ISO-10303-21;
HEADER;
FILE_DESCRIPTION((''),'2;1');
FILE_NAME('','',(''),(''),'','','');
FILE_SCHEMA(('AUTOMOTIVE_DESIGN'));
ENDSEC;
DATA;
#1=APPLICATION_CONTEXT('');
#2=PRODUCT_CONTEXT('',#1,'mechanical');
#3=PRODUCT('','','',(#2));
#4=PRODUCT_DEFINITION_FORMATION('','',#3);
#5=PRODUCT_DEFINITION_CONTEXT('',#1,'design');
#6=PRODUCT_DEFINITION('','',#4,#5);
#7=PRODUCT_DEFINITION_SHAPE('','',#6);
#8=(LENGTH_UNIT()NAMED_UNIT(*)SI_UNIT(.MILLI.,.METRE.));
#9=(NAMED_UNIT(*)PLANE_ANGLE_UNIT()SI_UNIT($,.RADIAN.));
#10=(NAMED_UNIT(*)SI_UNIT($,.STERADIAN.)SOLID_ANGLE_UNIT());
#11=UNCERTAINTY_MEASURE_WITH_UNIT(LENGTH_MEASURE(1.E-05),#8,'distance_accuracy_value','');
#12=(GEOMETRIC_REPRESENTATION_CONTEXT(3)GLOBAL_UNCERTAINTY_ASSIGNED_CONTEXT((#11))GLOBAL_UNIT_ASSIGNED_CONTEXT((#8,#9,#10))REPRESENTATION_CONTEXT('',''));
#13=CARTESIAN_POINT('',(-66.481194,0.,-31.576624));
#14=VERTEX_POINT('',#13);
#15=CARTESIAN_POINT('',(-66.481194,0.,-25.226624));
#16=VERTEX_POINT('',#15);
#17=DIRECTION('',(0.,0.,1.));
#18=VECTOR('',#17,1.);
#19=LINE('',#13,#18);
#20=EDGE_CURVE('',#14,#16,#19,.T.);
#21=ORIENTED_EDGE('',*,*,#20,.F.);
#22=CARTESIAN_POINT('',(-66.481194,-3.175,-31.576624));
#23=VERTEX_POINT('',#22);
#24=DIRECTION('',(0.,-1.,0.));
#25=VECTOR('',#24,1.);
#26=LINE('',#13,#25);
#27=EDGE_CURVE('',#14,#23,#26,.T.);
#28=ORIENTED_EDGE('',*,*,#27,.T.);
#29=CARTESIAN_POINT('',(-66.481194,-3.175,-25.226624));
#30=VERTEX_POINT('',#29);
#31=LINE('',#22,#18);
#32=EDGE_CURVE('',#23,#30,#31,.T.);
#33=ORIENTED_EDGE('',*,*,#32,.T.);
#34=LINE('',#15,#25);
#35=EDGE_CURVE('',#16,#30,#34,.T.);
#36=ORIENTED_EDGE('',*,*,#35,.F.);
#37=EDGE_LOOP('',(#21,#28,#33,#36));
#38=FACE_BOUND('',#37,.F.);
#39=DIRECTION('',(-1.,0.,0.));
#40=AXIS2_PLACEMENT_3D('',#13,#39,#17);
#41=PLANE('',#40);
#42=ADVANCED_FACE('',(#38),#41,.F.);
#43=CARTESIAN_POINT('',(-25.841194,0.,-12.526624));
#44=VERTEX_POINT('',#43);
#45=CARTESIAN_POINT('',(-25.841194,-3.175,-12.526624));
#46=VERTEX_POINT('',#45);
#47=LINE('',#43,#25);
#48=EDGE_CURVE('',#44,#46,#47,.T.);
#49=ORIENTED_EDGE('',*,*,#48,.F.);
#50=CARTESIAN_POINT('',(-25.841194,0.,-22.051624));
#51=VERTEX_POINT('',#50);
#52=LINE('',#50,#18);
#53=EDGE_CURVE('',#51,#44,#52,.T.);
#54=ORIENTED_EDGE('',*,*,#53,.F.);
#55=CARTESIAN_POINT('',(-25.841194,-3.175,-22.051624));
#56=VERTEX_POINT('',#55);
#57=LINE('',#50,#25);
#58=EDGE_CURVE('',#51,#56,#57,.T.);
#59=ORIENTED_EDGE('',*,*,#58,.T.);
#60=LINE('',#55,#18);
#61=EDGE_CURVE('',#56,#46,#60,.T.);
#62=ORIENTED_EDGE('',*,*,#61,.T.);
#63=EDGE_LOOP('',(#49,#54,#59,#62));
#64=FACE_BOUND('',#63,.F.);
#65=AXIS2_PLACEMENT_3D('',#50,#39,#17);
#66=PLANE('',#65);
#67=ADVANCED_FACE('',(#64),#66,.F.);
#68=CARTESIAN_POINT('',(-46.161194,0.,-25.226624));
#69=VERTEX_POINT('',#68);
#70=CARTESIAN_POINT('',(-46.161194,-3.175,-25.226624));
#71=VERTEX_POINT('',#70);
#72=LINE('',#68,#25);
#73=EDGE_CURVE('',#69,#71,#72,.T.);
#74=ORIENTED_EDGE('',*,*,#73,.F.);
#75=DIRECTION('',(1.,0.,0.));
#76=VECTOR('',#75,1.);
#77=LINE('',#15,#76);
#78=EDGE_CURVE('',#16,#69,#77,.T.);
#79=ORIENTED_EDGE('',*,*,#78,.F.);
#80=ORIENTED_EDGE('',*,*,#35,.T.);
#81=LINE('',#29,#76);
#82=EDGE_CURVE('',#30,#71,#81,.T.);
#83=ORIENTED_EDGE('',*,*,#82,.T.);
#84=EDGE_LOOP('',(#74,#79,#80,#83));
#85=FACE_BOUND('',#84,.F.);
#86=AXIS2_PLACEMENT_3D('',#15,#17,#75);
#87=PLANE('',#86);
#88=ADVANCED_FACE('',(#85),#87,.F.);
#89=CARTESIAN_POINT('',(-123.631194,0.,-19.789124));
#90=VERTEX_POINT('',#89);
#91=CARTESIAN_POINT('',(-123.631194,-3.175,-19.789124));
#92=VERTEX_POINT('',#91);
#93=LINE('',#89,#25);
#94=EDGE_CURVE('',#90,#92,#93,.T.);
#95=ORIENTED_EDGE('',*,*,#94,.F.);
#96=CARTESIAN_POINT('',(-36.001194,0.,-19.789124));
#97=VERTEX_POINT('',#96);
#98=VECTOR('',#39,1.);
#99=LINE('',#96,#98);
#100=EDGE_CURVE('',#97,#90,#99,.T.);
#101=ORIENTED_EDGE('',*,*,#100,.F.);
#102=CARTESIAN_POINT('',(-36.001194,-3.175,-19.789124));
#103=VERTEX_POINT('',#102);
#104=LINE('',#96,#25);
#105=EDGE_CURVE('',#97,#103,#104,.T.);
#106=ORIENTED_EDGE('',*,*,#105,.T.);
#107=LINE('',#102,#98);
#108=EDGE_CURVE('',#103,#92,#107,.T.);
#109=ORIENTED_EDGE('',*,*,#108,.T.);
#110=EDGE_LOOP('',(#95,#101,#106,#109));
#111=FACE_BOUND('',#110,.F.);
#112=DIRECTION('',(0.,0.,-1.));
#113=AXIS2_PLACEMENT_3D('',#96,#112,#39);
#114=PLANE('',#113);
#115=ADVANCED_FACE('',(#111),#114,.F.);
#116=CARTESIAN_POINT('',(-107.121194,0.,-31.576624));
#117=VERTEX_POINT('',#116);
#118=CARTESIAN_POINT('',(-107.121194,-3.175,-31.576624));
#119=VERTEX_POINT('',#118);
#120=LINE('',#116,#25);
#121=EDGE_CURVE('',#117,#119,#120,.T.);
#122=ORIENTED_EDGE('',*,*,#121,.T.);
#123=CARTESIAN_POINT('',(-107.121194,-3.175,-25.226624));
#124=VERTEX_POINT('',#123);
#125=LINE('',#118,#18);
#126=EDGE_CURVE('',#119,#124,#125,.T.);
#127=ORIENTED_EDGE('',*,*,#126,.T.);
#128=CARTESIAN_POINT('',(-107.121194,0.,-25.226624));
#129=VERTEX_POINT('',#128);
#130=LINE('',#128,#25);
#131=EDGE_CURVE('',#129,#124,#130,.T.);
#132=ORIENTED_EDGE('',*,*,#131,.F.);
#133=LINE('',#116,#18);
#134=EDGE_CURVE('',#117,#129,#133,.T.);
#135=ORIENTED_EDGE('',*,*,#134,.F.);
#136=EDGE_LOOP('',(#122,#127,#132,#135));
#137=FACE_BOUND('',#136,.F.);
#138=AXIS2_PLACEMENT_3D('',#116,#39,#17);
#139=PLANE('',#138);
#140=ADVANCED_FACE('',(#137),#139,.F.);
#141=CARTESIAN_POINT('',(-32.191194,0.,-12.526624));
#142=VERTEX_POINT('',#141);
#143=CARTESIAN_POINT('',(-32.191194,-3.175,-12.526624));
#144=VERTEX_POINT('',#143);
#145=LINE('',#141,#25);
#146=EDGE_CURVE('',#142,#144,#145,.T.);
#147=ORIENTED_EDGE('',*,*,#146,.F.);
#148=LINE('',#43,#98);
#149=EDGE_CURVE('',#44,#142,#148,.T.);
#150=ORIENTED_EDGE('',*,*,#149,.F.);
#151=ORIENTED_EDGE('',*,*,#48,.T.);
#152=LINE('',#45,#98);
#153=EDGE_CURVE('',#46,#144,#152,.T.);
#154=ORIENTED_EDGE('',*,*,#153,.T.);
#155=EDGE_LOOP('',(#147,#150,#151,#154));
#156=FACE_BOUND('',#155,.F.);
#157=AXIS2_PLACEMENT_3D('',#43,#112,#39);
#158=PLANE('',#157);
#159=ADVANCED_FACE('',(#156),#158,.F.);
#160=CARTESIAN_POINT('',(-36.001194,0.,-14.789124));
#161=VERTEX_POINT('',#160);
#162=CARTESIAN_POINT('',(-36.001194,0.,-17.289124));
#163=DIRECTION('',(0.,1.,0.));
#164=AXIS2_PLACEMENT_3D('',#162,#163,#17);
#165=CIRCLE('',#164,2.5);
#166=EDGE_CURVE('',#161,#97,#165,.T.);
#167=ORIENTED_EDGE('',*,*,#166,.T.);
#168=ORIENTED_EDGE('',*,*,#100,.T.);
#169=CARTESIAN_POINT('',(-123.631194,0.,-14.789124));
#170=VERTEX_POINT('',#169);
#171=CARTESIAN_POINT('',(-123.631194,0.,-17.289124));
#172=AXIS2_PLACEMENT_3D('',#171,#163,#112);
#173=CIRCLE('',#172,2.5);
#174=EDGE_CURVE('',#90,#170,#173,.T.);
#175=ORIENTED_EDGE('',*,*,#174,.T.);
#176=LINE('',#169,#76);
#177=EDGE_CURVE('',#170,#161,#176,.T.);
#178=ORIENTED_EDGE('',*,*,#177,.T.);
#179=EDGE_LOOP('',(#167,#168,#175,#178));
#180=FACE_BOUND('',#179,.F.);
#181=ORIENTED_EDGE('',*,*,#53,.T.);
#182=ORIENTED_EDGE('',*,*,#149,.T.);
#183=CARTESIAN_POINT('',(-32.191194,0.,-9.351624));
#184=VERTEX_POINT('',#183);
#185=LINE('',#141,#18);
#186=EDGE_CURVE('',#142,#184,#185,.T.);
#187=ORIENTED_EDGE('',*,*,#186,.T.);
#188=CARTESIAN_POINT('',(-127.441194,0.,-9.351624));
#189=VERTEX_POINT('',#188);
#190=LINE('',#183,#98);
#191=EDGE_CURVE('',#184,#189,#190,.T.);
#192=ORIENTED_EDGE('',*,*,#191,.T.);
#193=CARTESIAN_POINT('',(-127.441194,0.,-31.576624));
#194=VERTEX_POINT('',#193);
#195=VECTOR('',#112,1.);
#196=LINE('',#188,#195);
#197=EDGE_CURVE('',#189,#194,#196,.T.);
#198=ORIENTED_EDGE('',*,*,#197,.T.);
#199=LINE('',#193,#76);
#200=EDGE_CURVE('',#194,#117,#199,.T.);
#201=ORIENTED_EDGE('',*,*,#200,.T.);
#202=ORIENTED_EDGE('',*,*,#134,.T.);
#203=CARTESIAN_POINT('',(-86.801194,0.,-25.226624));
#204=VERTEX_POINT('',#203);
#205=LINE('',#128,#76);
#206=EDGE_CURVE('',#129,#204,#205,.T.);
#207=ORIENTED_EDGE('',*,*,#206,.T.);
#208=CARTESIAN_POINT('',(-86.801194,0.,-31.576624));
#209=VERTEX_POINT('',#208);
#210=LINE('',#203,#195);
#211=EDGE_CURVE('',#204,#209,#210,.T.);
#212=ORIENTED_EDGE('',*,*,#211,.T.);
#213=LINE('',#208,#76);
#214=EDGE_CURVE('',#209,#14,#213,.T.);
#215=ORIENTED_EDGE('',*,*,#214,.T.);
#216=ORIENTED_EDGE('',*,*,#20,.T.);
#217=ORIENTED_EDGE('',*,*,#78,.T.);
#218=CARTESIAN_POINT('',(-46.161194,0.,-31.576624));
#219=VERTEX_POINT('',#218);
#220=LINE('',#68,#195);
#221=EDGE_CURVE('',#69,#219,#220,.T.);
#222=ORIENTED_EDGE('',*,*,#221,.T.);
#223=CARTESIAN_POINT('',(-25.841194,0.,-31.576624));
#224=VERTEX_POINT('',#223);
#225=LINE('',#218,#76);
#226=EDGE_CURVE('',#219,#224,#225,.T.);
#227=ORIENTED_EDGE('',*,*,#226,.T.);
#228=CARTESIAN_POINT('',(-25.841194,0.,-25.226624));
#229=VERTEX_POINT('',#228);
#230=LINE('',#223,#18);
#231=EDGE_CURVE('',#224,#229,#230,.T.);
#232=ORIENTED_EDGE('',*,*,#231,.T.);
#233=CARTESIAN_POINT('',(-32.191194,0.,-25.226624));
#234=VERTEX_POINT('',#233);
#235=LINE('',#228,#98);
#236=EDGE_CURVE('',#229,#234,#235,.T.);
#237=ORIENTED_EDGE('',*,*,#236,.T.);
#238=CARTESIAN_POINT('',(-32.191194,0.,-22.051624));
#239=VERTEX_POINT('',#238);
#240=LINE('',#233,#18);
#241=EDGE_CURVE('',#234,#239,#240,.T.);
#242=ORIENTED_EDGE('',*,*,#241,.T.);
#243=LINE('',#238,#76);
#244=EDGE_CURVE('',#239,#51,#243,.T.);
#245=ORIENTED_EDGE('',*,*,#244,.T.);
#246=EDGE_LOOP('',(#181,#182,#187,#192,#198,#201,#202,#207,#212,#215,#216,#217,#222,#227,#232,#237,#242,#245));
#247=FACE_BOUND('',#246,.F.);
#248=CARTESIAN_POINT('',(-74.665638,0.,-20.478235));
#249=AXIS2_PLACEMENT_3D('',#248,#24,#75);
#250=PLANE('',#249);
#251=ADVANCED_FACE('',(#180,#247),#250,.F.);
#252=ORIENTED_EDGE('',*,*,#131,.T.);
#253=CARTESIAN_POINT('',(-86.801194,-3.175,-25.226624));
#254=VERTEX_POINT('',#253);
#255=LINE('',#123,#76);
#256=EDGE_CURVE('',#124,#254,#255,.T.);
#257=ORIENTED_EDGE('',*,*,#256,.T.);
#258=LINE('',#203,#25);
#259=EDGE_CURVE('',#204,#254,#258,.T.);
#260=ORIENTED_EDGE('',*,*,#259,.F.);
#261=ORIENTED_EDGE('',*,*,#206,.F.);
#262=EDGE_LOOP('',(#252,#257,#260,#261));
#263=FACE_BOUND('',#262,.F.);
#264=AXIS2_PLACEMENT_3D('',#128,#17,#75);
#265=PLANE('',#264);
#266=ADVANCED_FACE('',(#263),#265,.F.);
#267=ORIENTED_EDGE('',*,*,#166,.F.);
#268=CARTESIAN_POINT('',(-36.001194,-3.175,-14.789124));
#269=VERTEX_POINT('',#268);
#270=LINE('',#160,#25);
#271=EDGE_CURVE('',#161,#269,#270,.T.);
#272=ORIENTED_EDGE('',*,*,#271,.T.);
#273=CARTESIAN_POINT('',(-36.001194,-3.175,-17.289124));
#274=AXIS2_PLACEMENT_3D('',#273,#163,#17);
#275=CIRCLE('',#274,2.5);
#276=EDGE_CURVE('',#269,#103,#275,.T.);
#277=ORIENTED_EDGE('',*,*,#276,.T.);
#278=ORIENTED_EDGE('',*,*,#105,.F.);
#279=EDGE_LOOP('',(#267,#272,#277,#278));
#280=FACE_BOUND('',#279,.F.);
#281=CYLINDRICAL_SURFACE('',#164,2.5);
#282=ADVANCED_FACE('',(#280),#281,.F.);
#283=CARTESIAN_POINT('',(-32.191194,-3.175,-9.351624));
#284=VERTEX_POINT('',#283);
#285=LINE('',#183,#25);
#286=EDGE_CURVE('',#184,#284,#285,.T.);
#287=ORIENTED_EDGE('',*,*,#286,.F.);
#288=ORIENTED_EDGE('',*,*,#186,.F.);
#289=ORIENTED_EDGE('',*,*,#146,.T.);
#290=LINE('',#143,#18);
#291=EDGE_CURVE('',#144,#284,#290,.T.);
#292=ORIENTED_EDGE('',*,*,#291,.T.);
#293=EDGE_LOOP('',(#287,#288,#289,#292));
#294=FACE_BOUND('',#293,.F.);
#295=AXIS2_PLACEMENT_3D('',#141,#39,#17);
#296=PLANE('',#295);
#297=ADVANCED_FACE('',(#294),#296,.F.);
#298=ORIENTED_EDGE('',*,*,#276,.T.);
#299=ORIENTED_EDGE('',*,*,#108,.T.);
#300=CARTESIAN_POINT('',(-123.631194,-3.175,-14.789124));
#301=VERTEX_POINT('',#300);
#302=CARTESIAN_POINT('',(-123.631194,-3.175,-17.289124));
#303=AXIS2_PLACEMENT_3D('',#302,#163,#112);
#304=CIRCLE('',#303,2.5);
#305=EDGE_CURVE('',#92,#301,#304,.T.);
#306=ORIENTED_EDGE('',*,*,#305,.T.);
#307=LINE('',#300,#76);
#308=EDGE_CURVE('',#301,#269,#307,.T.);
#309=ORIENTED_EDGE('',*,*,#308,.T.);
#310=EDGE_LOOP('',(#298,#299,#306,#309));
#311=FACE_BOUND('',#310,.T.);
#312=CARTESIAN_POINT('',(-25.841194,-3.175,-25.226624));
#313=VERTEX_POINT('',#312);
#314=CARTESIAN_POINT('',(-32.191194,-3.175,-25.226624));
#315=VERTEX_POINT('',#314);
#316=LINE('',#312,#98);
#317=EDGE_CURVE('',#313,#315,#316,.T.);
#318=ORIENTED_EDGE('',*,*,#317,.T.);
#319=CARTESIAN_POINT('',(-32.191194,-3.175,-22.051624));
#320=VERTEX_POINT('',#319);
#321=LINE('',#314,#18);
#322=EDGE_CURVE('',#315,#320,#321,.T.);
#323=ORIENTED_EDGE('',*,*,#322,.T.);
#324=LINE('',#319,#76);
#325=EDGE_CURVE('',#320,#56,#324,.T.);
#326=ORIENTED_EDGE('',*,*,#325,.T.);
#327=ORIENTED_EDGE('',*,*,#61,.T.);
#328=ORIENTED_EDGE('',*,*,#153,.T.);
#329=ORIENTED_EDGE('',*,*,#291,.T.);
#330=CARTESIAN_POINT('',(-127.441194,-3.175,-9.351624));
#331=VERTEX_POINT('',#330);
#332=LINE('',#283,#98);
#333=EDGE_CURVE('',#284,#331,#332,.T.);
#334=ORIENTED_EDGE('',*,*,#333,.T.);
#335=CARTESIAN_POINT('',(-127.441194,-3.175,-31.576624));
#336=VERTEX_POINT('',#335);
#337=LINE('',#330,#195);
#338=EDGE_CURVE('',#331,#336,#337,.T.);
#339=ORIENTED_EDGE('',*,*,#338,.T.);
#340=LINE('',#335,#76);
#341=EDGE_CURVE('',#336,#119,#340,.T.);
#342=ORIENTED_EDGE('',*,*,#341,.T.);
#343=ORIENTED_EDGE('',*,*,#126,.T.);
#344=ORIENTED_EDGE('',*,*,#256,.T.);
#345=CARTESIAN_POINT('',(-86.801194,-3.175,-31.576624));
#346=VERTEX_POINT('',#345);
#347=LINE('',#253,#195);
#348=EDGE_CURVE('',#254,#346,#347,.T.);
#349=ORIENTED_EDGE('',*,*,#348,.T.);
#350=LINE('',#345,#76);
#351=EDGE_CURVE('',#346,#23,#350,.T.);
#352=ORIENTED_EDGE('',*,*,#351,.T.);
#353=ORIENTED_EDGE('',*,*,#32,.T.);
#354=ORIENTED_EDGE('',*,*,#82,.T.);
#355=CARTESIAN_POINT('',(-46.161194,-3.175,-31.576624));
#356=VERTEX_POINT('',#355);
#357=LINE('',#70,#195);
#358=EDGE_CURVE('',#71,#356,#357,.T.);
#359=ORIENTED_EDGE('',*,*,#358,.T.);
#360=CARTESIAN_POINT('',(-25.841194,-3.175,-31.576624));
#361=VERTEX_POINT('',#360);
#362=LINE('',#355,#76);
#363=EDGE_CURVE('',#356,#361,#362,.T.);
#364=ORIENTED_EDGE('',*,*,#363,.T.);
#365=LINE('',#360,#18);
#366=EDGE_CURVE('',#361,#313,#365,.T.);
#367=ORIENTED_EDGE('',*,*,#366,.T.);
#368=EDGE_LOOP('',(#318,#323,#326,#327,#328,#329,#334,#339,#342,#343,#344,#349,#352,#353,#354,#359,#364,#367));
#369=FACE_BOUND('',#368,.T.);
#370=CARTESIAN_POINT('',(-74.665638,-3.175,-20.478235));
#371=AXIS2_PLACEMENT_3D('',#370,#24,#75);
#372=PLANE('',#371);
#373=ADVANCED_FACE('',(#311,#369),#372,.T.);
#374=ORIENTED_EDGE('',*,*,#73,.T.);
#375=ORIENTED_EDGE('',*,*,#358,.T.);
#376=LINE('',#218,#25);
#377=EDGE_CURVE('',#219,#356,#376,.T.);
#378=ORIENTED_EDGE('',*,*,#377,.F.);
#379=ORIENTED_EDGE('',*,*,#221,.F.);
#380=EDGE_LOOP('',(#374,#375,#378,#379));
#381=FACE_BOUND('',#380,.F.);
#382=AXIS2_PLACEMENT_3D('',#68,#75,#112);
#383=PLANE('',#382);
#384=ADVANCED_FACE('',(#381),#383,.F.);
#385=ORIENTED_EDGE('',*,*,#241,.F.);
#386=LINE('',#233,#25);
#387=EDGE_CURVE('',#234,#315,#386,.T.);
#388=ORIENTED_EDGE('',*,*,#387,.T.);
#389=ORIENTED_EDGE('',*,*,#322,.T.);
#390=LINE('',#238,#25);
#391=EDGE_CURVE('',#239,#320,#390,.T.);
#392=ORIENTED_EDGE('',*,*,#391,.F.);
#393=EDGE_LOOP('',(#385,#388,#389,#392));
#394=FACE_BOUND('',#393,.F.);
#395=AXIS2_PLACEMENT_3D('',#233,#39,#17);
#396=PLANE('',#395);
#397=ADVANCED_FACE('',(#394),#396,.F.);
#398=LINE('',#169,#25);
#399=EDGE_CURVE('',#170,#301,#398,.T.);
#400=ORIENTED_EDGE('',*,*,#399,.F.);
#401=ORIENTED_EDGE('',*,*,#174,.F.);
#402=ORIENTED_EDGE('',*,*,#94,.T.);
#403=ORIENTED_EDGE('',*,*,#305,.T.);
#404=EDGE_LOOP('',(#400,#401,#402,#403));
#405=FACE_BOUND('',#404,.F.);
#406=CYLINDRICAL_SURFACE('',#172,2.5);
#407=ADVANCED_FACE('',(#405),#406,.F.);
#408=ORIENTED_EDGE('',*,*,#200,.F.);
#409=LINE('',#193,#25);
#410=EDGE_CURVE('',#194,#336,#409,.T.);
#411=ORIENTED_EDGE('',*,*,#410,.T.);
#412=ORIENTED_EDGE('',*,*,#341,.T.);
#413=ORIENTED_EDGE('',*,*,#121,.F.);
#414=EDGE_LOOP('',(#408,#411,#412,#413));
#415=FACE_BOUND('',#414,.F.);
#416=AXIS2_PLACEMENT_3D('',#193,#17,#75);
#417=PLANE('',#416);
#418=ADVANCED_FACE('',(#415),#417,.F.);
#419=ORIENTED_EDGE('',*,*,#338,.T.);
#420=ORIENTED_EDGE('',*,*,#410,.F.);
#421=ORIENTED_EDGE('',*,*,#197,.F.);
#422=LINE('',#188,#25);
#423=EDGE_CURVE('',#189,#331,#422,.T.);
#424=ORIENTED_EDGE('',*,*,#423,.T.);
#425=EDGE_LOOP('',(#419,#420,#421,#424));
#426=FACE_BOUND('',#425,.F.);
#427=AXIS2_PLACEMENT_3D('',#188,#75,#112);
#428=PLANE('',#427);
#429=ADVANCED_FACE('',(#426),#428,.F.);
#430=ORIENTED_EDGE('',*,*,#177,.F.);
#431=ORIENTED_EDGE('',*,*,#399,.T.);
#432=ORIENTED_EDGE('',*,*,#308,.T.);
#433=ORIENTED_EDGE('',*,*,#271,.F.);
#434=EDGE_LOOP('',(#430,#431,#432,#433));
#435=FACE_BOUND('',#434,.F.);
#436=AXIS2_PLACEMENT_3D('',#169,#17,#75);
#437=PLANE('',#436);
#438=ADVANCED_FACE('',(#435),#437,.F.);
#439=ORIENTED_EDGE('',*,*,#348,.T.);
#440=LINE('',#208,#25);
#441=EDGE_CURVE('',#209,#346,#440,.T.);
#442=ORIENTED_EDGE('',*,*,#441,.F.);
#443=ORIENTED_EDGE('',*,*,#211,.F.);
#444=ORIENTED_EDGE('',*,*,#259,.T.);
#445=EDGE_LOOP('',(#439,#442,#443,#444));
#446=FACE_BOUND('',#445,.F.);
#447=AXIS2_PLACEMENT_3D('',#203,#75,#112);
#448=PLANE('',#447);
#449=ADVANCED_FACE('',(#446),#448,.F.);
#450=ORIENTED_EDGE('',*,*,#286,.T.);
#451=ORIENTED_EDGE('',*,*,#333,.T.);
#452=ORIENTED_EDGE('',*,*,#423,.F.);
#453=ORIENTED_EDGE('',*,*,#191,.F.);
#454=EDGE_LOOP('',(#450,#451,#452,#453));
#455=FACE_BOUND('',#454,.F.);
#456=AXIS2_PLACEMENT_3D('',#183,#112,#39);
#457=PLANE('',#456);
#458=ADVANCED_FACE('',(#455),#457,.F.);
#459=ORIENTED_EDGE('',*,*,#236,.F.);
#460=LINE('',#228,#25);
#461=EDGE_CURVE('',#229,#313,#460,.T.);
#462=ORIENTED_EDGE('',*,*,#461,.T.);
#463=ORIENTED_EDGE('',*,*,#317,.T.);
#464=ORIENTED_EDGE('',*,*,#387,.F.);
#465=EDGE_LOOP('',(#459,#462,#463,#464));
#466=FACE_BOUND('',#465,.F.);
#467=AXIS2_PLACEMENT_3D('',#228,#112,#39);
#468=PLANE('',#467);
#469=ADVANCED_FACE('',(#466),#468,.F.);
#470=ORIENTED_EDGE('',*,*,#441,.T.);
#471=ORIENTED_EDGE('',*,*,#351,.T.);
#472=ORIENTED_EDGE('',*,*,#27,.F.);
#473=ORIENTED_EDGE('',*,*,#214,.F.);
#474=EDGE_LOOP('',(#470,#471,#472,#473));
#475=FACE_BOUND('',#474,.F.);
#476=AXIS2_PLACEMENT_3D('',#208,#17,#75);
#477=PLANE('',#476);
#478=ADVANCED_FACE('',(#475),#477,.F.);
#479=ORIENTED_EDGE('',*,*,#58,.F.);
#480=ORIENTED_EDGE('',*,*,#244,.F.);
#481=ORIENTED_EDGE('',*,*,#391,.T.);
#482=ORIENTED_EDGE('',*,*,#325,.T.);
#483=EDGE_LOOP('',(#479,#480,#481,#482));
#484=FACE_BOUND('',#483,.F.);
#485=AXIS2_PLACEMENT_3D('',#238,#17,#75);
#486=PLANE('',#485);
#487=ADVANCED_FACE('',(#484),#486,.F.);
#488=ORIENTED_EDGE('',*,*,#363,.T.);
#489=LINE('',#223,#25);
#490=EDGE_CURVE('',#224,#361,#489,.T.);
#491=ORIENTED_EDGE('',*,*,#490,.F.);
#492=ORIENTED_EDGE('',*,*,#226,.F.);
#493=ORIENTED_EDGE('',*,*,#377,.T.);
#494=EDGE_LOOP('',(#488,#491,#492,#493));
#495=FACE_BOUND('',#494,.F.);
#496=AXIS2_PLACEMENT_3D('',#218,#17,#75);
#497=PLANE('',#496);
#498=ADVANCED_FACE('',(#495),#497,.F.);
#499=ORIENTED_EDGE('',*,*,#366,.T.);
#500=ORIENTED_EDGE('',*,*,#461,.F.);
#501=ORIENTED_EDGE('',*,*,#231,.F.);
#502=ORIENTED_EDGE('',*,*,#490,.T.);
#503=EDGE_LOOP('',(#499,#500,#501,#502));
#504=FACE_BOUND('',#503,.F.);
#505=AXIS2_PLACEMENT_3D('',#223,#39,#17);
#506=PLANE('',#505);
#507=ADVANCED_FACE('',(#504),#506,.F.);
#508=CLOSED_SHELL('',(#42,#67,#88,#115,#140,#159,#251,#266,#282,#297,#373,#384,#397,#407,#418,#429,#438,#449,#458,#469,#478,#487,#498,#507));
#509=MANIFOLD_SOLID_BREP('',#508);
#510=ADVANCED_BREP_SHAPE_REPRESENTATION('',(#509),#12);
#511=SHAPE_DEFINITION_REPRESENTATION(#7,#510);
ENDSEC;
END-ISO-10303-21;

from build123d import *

# Parameters (mm, degrees)
F1_DEPTH = 3.175


with BuildPart() as f1:
    # F0 (on Front) → F1 (new body)
    with BuildSketch(Plane.XZ):
        Polygon((-46.161194, -31.576624), (-25.841194, -31.576624), (-25.841194, -25.226624), (-32.191194, -25.226624), (-32.191194, -22.051624), (-25.841194, -22.051624), (-25.841194, -12.526624), (-32.191194, -12.526624), (-32.191194, -9.351624), (-127.441194, -9.351624), (-127.441194, -31.576624), (-107.121194, -31.576624), (-107.121194, -25.226624), (-86.801194, -25.226624), (-86.801194, -31.576624), (-66.481194, -31.576624), (-66.481194, -25.226624), (-46.161194, -25.226624), align=None)
        with BuildLine():
            ThreePointArc((-123.631194, -19.789124), (-126.131194, -17.289124), (-123.631194, -14.789124))
            Line((-123.631194, -14.789124), (-36.001194, -14.789124))
            ThreePointArc((-36.001194, -14.789124), (-33.501194, -17.289124), (-36.001194, -19.789124))
            Line((-36.001194, -19.789124), (-123.631194, -19.789124))
        make_face(mode=Mode.SUBTRACT)
    extrude(amount=F1_DEPTH)


solid = f1.part
